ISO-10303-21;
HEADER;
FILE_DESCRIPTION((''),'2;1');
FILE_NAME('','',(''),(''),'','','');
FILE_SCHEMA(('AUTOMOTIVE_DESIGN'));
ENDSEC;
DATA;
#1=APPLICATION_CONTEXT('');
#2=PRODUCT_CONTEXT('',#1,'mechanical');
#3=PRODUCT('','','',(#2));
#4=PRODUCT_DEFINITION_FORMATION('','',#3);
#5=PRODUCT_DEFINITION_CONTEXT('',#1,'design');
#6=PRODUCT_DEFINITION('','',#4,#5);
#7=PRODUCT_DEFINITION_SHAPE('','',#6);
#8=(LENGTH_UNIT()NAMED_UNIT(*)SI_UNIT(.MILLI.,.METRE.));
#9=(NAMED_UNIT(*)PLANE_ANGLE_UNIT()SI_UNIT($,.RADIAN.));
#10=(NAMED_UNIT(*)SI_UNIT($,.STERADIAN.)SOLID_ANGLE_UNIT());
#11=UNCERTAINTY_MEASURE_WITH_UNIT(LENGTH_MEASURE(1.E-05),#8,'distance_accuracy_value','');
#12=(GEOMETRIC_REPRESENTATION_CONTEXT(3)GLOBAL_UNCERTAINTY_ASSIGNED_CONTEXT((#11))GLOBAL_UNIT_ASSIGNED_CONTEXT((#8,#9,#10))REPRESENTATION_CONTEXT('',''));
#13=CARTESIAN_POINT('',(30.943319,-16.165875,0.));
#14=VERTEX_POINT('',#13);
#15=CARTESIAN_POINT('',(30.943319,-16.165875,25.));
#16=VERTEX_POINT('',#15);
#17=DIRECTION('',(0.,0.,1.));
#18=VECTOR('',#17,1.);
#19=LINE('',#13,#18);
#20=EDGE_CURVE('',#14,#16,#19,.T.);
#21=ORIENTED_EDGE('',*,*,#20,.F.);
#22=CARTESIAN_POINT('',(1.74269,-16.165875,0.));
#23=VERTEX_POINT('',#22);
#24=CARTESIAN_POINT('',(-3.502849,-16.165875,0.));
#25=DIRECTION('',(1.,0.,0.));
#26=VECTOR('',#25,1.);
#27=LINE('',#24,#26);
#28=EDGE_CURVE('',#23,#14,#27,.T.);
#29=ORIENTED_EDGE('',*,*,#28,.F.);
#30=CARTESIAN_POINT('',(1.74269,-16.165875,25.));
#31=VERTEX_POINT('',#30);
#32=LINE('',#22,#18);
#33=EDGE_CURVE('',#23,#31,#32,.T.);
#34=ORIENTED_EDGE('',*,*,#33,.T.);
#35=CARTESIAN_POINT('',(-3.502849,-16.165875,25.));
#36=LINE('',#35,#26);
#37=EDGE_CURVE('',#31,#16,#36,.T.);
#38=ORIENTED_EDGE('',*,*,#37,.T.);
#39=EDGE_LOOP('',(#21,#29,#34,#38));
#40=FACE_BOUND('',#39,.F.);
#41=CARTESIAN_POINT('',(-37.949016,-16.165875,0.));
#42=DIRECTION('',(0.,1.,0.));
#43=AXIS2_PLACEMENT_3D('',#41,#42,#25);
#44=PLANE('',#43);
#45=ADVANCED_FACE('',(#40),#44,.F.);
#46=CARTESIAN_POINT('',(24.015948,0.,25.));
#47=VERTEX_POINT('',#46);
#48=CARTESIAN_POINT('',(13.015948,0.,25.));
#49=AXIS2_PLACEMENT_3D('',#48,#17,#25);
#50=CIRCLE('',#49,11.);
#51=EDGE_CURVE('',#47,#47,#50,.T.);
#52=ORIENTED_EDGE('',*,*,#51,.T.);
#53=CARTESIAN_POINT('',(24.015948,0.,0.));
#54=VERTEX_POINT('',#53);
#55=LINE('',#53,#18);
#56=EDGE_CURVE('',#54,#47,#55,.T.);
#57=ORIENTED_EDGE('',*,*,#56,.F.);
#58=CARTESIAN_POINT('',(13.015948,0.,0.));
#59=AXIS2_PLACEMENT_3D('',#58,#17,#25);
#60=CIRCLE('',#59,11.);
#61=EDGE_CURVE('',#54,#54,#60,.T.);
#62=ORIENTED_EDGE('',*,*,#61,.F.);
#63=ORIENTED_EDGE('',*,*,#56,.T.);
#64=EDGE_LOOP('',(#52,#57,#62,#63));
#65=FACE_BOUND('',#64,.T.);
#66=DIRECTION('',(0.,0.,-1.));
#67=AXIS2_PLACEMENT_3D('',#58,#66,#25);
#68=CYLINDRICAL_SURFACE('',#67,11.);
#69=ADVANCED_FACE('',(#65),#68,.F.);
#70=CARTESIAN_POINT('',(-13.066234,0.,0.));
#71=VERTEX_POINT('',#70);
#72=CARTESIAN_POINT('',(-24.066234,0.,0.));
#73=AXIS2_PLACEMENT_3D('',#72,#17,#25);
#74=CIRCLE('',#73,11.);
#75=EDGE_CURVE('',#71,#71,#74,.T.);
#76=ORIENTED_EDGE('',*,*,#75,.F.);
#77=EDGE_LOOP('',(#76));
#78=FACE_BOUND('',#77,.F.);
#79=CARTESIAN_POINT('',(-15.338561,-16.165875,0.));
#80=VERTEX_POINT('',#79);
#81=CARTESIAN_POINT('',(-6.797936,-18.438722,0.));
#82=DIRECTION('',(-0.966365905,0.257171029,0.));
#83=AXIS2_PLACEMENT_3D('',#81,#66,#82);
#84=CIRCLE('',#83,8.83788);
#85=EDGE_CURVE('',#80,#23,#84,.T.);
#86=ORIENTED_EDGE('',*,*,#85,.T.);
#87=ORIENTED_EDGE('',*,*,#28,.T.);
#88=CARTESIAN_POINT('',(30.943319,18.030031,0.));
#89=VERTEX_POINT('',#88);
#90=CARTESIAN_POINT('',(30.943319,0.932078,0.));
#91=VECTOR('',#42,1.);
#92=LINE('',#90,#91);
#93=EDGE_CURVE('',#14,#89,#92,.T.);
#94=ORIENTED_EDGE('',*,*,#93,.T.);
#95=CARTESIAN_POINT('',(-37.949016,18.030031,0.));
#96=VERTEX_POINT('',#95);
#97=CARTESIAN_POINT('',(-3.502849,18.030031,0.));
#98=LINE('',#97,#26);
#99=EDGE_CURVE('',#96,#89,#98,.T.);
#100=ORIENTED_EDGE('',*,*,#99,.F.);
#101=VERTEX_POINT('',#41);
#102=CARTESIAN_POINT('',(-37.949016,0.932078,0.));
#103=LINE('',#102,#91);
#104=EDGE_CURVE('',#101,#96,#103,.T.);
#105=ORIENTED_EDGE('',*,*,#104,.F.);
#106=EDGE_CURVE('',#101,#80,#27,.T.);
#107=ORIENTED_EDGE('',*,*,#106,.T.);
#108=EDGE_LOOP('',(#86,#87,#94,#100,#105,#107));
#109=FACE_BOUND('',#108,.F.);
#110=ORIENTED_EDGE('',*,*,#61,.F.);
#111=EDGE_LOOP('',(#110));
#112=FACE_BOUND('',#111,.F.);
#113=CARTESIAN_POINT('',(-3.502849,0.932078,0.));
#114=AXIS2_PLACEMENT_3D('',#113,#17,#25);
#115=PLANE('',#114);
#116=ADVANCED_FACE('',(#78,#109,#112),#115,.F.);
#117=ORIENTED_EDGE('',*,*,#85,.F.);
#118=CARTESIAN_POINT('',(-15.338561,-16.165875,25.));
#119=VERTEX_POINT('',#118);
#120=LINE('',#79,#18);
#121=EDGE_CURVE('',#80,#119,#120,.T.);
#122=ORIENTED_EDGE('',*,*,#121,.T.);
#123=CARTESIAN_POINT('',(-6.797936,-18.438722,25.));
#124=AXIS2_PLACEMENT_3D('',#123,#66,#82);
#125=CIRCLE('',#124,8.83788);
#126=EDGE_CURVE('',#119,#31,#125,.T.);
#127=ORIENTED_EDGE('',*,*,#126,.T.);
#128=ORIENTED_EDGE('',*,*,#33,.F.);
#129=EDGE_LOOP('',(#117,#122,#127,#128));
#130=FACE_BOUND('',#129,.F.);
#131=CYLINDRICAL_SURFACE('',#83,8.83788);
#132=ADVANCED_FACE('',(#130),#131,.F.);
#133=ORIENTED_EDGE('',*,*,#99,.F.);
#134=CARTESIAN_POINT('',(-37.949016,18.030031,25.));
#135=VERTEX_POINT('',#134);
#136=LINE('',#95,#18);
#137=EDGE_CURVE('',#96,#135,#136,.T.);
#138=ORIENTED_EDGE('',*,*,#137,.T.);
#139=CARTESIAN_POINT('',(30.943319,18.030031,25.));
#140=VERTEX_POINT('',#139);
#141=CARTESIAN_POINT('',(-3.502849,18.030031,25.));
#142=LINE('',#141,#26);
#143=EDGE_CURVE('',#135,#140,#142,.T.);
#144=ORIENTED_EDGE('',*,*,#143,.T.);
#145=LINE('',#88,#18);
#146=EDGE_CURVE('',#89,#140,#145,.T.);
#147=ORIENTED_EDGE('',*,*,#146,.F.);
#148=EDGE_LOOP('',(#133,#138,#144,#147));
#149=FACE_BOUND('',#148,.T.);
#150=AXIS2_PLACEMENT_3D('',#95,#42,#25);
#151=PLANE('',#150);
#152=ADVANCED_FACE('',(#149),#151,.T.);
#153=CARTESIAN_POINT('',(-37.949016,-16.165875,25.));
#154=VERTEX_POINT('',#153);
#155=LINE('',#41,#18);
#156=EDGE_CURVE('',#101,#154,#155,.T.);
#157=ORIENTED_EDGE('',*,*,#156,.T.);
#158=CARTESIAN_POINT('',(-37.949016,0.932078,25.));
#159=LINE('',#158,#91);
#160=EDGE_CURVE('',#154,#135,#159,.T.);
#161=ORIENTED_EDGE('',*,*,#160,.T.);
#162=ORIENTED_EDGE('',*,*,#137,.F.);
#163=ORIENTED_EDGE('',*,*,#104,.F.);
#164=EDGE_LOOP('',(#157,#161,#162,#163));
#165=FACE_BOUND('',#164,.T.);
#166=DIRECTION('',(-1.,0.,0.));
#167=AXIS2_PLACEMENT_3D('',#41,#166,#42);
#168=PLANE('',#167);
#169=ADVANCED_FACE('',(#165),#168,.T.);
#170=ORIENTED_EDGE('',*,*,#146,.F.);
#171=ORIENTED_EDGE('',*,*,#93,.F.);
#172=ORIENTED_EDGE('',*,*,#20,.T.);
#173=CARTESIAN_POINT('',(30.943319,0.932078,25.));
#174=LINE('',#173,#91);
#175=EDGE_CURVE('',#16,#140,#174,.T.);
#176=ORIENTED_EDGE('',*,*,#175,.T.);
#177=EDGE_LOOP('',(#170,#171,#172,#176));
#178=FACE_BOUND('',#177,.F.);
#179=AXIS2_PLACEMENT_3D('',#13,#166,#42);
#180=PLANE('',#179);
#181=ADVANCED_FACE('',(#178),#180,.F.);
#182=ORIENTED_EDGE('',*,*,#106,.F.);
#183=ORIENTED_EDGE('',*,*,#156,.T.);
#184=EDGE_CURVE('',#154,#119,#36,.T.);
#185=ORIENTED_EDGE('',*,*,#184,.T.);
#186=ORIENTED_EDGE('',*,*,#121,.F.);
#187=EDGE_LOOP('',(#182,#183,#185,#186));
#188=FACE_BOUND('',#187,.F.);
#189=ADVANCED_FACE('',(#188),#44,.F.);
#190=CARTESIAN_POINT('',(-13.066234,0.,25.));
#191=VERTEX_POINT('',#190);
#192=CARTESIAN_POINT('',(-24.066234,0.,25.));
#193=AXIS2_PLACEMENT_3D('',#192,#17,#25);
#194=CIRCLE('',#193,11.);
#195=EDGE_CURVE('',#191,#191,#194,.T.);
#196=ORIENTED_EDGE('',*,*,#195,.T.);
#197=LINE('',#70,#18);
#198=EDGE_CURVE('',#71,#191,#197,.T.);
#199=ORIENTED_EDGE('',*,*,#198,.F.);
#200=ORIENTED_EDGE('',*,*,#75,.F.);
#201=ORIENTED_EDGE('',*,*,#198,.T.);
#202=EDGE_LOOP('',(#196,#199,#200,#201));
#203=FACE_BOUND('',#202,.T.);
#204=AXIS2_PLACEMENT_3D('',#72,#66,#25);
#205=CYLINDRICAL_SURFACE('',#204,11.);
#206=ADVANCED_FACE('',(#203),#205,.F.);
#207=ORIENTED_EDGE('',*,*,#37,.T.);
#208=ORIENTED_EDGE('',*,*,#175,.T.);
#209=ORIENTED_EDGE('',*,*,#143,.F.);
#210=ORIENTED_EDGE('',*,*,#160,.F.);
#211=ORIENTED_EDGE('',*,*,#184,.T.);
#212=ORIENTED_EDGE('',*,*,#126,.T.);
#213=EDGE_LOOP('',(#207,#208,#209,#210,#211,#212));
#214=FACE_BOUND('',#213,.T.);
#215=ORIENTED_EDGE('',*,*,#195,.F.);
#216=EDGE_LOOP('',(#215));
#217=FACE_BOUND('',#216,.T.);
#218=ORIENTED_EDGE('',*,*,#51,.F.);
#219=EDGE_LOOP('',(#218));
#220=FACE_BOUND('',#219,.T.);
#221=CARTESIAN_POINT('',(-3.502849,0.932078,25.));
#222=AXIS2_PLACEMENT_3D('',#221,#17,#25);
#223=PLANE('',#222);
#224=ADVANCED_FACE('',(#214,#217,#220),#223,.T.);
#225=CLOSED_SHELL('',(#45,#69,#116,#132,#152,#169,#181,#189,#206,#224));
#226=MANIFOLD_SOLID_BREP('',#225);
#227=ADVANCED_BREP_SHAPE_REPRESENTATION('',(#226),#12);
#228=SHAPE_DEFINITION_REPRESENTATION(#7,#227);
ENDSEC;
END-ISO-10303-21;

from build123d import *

# Parameters (mm, degrees)
F0_W     = 68.892335
F0_H     = 34.195906
F0_R     = 11
F1_DEPTH = 25
F3_DEPTH = 25.001


with BuildPart() as f1:
    # F0 (on Top) → F1 (new body)
    with BuildSketch(Plane.XY):
        with Locations((-3.502849, 0.932078)):
            Rectangle(F0_W, F0_H)
        with Locations((-24.066234, 0)):
            Circle(F0_R, mode=Mode.SUBTRACT)
        with Locations((13.015948, 0)):
            Circle(F0_R, mode=Mode.SUBTRACT)
    extrude(amount=F1_DEPTH)

    # F2 (on face) → F3 (cut, through all)
    with BuildSketch(Plane(origin=(0, 0, 0), x_dir=(1, 0, 0), z_dir=(0, 0, -1))):
        with BuildLine():
            Line((1.74269, 16.165875), (-15.338561, 16.165875))
            ThreePointArc((-15.338561, 16.165875), (-6.797935, 9.600842), (1.74269, 16.165875))
        make_face()
    extrude(amount=-F3_DEPTH, mode=Mode.SUBTRACT)


solid = f1.part
